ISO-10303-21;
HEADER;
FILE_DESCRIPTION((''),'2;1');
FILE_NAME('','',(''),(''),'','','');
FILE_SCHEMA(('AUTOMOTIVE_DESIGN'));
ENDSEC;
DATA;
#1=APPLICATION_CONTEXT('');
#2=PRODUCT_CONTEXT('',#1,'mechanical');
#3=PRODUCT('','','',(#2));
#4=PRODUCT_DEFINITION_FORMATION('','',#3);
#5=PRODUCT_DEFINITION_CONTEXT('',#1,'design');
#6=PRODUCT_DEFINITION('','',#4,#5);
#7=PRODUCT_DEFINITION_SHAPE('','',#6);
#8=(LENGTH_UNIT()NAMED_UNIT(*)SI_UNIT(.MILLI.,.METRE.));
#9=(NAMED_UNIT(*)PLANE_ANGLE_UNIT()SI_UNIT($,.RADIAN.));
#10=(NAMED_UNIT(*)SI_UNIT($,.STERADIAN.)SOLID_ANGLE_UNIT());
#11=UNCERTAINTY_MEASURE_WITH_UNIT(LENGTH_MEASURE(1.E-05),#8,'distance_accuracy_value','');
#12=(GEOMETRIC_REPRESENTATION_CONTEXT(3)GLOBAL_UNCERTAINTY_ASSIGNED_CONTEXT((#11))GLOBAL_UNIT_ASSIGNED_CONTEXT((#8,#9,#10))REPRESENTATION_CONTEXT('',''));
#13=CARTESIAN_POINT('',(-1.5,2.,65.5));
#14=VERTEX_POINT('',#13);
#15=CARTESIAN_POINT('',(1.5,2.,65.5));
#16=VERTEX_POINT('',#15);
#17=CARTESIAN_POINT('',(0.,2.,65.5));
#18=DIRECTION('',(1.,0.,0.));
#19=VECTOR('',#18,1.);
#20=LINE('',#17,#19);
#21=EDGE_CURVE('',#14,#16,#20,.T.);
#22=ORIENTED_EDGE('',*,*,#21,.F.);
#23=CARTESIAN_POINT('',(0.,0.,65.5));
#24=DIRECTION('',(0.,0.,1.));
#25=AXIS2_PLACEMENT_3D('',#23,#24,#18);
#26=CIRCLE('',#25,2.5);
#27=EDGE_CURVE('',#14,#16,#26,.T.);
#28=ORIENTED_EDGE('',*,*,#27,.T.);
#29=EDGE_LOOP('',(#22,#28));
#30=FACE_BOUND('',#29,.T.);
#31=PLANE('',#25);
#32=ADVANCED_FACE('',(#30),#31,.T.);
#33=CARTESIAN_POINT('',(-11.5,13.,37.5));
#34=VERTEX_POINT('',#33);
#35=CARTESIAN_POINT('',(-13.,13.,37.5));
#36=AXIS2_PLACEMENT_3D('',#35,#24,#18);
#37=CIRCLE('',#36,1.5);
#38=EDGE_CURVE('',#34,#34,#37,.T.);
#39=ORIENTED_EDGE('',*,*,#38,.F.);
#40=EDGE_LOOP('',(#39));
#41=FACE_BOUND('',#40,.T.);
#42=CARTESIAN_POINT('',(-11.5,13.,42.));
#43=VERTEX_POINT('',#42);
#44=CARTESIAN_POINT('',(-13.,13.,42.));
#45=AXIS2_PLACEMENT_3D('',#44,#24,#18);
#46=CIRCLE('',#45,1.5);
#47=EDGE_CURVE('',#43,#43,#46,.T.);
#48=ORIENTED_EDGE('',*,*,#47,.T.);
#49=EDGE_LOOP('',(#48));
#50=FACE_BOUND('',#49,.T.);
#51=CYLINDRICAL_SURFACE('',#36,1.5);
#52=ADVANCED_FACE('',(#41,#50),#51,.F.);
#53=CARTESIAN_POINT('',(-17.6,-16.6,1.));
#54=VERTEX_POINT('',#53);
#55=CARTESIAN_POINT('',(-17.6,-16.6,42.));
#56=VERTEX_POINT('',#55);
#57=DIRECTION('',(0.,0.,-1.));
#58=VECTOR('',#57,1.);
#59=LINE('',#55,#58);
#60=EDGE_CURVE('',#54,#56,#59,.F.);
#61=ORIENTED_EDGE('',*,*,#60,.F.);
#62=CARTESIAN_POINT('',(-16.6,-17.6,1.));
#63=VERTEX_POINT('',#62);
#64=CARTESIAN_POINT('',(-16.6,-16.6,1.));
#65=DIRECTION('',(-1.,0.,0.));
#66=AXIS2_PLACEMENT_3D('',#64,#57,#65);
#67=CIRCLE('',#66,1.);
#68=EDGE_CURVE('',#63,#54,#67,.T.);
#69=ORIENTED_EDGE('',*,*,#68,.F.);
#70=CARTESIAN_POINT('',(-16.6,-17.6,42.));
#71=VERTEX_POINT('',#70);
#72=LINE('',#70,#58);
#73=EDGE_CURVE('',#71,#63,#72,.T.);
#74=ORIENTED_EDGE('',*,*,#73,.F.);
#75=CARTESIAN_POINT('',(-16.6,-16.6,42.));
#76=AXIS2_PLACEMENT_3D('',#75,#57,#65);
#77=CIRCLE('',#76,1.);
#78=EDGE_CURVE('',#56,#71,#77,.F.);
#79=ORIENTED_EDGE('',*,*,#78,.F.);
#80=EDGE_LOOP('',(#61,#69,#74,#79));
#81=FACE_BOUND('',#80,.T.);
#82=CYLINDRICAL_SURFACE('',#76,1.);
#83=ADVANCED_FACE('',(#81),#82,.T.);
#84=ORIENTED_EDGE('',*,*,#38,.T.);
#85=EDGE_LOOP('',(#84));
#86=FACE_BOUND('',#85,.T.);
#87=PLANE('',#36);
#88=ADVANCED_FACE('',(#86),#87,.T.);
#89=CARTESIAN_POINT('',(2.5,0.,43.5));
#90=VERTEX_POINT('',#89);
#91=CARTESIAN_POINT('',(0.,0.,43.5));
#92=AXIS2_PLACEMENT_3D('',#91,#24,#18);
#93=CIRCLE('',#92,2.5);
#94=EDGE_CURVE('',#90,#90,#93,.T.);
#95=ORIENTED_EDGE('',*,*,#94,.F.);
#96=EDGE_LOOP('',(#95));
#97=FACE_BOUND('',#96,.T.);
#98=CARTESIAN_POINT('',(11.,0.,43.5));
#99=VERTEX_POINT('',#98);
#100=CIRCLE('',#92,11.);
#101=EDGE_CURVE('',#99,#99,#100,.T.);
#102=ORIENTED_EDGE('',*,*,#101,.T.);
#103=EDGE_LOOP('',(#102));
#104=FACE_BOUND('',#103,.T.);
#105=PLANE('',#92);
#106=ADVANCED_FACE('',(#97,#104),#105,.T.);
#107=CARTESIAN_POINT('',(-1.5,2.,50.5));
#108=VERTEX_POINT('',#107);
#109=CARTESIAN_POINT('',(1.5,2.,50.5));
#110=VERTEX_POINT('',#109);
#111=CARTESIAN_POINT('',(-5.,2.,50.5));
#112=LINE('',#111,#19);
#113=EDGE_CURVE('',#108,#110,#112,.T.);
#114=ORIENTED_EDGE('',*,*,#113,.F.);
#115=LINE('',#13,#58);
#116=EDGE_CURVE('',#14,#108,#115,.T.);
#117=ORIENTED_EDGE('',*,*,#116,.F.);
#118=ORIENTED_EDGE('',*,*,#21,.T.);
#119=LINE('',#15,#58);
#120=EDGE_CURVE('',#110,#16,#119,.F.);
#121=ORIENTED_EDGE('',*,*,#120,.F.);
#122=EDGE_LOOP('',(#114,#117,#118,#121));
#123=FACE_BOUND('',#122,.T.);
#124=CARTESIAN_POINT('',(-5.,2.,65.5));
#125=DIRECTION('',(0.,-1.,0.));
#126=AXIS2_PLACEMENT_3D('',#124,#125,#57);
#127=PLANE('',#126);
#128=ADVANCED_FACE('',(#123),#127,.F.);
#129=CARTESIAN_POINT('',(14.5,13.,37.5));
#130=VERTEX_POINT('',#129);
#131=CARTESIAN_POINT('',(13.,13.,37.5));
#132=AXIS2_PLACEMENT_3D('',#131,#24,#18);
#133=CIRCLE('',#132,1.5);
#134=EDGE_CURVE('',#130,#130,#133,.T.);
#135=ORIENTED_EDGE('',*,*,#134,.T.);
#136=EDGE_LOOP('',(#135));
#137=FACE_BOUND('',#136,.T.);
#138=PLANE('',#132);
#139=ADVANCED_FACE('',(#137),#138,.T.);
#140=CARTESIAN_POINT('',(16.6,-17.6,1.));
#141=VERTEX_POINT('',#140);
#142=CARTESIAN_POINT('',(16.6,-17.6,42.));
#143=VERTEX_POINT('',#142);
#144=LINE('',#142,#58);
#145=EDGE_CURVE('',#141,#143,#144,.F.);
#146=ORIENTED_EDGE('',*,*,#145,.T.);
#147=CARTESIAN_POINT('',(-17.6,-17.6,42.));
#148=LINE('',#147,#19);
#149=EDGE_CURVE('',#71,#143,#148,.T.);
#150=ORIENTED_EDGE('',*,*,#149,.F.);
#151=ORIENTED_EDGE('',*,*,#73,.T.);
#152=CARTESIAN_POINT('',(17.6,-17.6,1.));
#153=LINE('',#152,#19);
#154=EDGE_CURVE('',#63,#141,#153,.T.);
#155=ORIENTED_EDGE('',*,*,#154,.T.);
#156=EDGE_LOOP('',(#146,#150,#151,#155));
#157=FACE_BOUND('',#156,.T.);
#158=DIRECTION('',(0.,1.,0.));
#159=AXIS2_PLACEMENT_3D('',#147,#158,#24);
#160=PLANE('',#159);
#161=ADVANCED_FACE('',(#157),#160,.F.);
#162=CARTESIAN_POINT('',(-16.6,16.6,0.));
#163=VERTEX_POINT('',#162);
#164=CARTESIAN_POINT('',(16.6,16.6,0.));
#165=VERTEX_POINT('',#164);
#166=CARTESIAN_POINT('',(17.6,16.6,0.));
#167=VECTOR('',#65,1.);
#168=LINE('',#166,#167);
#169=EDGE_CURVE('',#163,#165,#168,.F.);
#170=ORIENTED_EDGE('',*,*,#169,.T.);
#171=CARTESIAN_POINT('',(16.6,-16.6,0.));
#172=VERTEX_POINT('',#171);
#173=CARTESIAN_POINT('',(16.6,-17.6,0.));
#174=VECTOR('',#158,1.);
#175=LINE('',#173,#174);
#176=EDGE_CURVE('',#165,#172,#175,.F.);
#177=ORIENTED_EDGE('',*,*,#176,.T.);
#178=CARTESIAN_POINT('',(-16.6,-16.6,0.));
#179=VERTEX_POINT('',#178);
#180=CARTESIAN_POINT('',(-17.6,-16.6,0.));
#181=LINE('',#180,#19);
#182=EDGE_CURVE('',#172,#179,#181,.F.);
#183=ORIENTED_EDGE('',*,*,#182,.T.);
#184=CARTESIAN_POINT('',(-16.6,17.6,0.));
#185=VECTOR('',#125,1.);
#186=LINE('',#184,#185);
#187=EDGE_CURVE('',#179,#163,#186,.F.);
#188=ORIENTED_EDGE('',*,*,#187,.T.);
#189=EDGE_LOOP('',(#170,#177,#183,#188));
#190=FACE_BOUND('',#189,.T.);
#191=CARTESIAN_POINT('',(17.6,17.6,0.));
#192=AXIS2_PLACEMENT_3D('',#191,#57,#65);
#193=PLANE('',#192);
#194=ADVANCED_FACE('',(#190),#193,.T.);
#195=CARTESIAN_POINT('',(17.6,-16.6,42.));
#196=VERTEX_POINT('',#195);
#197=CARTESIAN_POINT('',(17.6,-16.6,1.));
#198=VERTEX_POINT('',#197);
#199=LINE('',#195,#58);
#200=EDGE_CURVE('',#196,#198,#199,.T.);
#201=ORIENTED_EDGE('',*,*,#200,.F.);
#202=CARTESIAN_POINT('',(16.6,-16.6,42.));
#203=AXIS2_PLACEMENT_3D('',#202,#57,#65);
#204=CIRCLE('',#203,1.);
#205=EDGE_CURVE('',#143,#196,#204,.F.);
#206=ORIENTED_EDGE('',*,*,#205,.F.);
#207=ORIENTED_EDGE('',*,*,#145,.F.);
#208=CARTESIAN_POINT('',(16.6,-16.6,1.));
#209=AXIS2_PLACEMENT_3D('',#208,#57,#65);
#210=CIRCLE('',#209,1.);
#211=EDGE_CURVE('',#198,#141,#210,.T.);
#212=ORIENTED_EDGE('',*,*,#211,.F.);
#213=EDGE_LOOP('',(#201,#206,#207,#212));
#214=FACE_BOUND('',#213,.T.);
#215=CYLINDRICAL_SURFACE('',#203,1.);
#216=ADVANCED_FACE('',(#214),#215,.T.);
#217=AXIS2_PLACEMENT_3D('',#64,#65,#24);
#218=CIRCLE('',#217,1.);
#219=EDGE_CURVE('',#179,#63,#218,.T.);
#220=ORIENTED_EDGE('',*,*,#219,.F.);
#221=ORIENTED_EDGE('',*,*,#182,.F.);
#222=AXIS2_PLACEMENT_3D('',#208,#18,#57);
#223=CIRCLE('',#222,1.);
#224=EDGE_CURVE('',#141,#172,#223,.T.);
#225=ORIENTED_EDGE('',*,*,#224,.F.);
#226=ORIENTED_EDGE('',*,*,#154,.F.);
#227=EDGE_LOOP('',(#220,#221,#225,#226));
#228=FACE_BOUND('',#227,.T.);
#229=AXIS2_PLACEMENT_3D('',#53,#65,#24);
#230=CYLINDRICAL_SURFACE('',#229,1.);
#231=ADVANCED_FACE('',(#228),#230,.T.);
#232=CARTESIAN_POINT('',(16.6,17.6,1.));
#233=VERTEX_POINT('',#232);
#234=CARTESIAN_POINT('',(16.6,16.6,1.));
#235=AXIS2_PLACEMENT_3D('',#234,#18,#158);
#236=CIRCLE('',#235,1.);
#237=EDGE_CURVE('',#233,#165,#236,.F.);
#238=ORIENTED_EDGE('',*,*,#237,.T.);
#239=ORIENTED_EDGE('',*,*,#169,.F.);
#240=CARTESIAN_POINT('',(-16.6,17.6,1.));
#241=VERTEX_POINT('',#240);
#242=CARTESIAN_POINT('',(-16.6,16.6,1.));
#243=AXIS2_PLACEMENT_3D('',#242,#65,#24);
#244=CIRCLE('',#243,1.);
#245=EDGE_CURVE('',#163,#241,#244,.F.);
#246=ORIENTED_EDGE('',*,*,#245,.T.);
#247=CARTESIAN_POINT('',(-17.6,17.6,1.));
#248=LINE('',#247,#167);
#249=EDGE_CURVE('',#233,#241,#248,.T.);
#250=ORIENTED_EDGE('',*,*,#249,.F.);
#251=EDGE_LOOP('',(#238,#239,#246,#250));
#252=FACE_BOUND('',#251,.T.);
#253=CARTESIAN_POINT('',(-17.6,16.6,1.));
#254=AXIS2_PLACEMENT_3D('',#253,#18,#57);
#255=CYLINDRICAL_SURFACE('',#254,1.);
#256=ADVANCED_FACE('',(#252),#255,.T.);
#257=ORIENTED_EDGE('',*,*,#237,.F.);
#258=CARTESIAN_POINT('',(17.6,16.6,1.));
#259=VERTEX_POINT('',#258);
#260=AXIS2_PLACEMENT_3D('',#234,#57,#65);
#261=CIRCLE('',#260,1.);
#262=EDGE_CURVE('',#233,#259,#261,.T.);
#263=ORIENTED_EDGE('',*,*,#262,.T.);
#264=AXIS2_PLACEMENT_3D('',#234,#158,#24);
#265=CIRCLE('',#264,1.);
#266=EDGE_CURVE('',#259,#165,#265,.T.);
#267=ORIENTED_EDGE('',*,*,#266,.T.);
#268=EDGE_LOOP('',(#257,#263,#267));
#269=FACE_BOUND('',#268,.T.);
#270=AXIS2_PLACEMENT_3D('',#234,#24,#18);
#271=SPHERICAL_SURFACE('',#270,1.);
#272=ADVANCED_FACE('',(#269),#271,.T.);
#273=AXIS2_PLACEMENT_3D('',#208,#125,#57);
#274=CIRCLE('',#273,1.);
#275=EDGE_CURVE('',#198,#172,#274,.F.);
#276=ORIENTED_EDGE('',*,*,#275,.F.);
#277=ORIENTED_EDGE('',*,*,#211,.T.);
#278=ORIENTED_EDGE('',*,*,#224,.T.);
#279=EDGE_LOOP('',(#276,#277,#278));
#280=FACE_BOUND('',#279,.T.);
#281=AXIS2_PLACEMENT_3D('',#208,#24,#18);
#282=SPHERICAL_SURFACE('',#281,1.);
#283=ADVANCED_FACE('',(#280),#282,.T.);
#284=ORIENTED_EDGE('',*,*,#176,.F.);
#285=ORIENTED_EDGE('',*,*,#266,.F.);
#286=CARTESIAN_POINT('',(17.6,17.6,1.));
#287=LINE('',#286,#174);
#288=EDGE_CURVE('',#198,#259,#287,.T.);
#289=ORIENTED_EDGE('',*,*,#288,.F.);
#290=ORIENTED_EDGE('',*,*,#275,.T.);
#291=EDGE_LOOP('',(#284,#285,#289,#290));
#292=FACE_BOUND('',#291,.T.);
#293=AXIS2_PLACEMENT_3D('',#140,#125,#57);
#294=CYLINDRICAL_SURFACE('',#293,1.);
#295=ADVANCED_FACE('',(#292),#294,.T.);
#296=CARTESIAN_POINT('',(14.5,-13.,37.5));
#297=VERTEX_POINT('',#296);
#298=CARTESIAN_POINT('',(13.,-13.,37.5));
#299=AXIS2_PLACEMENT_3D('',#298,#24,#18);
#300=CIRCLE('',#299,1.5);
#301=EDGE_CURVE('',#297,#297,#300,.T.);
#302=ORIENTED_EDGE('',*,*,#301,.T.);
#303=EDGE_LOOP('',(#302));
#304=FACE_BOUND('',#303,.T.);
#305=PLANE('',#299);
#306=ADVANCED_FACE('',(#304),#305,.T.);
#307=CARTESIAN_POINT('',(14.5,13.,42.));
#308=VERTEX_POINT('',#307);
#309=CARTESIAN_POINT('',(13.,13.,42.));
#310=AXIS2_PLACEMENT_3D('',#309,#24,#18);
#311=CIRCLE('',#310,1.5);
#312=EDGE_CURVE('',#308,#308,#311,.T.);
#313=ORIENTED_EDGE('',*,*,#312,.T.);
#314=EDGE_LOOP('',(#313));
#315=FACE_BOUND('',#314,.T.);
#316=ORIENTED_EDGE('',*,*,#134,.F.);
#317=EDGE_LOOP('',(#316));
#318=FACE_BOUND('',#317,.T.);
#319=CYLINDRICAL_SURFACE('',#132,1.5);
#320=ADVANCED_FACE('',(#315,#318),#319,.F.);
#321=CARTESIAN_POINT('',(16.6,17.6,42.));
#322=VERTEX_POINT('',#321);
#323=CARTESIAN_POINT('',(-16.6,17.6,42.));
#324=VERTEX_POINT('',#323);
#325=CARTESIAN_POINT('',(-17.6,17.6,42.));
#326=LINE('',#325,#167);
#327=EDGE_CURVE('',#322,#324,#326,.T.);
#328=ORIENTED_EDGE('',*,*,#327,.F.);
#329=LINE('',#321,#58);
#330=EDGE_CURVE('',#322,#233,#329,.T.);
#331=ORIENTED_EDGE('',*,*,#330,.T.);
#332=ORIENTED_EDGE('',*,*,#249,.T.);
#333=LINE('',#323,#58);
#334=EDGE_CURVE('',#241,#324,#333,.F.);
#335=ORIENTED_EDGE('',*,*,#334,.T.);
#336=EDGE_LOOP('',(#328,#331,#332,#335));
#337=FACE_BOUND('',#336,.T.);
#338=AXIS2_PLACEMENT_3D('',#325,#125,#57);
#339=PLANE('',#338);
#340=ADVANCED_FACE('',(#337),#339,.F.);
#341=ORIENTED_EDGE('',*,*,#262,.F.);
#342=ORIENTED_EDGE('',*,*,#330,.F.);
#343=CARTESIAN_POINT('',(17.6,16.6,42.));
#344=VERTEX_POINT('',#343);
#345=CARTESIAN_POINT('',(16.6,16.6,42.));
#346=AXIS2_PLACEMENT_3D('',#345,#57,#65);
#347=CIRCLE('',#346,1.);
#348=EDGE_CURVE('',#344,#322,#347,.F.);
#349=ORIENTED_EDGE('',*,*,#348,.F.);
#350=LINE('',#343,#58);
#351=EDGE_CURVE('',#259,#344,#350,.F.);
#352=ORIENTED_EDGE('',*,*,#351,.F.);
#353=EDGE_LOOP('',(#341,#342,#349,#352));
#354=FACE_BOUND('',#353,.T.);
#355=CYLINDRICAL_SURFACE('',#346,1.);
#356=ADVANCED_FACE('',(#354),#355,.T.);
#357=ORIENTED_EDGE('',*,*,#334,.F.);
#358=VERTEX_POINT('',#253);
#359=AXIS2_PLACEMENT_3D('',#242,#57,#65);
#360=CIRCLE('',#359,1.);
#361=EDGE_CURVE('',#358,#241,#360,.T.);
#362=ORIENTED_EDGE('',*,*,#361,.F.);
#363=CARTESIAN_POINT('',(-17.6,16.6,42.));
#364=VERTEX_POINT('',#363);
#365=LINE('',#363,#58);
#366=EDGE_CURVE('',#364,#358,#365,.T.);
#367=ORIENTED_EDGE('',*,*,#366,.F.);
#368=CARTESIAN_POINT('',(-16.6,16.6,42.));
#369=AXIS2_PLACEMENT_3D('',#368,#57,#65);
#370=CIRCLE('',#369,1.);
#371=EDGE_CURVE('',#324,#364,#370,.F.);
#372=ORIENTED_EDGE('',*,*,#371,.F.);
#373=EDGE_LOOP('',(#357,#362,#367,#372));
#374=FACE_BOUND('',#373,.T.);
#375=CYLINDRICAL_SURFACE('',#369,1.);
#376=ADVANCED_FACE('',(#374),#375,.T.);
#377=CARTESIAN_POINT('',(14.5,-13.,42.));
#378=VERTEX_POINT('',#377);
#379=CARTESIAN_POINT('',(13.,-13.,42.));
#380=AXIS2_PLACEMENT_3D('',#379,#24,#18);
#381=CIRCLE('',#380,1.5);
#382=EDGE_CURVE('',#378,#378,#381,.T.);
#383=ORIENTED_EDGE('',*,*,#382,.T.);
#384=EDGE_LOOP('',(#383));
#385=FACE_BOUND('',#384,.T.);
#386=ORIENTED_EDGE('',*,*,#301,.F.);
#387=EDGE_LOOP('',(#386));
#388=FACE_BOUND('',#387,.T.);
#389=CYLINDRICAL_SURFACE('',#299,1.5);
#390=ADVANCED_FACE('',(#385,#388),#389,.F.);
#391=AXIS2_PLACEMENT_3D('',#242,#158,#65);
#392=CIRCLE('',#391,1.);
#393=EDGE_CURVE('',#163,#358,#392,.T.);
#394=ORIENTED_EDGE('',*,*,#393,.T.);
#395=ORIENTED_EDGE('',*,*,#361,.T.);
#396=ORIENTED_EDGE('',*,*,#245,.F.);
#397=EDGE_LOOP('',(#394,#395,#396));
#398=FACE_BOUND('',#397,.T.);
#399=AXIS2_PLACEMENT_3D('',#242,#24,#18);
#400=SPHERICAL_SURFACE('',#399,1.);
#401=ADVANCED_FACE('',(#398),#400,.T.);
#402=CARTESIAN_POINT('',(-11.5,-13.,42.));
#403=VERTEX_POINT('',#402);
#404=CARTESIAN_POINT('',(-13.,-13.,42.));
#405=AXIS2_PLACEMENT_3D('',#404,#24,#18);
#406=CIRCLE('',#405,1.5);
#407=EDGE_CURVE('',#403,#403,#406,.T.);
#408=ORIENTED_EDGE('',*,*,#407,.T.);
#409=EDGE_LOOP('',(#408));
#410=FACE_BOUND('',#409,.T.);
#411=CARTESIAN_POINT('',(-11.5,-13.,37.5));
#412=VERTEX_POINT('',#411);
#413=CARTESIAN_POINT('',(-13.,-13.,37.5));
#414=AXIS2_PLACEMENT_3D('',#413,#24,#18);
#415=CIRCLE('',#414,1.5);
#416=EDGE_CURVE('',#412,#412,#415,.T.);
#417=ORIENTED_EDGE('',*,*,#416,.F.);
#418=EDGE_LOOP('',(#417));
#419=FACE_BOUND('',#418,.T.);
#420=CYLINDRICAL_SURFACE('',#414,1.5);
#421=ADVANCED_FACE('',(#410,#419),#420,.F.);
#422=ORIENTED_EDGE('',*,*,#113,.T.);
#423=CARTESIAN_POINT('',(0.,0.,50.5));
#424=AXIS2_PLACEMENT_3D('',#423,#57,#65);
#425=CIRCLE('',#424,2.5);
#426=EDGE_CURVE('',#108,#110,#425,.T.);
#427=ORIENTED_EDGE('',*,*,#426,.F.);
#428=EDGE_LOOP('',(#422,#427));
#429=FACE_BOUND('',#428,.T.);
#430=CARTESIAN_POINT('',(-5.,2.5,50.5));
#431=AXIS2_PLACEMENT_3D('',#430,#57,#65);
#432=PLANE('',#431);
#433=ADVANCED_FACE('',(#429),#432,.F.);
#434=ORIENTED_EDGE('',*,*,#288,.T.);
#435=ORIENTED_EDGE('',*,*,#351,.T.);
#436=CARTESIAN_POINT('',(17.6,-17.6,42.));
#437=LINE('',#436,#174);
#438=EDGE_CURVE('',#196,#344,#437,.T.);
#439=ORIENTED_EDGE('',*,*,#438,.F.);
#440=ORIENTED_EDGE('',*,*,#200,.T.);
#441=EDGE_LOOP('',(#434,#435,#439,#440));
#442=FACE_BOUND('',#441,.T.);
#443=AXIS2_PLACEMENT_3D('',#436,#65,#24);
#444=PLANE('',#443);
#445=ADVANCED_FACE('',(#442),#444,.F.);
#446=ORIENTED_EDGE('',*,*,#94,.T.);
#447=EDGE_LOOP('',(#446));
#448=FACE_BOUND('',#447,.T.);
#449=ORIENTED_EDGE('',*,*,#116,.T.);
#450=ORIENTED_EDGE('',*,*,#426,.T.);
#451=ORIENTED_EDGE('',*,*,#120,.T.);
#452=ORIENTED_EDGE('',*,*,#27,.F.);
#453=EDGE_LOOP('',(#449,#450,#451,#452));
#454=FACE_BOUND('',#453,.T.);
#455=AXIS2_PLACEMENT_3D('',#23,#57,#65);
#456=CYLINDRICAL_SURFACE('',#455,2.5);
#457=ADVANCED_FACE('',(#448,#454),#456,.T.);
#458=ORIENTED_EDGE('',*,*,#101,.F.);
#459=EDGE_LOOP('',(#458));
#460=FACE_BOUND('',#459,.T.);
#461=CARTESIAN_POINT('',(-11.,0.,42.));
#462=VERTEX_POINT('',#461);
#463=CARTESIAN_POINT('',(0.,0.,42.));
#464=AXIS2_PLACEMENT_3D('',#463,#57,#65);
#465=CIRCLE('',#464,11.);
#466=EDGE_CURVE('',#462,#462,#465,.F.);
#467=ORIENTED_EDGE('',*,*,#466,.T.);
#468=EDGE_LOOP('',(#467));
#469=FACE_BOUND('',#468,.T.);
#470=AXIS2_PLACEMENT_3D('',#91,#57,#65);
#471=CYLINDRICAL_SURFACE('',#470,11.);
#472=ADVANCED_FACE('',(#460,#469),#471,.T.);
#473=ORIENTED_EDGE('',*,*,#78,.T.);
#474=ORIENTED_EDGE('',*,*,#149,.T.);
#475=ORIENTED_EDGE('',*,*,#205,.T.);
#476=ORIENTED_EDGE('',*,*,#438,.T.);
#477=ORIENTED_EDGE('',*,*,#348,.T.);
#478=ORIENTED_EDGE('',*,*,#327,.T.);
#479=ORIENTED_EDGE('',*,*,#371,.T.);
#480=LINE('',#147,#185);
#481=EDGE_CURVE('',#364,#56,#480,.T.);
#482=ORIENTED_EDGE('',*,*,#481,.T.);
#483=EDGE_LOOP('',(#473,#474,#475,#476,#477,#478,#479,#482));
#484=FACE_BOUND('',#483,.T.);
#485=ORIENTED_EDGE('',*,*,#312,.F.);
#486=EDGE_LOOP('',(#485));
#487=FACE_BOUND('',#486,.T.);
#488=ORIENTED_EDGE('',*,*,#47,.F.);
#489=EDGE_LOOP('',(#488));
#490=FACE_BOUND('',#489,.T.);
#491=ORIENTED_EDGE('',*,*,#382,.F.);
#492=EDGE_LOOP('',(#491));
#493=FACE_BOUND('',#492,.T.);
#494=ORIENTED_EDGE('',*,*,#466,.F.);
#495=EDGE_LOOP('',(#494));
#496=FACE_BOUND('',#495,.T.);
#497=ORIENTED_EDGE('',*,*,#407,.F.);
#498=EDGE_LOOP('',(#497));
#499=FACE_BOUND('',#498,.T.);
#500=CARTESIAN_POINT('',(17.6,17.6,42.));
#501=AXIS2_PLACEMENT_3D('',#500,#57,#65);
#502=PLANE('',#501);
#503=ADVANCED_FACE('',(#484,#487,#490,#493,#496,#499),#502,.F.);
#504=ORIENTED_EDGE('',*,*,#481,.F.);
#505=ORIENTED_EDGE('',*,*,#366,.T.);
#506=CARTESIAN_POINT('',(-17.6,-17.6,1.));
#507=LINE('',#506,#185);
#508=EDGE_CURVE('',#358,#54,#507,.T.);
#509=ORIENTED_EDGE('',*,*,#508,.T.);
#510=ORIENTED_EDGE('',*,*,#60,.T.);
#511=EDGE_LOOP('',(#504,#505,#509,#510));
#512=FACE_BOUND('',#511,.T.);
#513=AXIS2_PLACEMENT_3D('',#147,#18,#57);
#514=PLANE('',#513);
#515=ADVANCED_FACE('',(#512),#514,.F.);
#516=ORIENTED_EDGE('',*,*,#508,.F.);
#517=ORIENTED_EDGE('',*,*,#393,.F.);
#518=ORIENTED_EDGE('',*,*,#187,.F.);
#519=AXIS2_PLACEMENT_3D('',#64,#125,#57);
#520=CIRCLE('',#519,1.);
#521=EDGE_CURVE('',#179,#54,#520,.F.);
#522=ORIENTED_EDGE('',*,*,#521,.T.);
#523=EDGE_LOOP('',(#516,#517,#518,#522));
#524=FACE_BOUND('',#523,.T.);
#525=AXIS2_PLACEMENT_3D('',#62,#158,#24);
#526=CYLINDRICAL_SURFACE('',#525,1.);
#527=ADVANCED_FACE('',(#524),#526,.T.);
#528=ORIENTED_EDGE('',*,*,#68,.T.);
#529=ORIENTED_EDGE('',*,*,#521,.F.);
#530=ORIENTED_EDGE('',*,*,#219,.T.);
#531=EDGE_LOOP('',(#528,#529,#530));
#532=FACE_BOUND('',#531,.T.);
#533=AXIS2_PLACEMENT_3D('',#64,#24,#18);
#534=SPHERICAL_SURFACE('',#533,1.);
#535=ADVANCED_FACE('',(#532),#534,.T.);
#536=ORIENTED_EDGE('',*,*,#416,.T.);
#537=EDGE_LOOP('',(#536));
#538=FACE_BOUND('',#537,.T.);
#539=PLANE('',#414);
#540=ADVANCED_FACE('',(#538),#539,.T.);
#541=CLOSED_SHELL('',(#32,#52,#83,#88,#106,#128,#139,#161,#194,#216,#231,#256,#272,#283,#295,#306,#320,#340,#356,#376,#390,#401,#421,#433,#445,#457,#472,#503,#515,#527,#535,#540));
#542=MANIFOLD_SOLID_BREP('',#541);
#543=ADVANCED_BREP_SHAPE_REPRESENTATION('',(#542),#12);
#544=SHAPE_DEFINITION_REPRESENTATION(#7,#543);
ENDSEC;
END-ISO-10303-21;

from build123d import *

# Parameters (mm, degrees)
SKETCH1_W           = 35.2
SKETCH1_H           = 35.2
BOSS_EXTRUDE1_DEPTH = 42
SKETCH2_R           = 11
BOSS_EXTRUDE2_DEPTH = 1.5
SKETCH3_R           = 2.5
BOSS_EXTRUDE3_DEPTH = 22
SKETCH4_W           = 15
SKETCH4_H           = 0.5
CUT_EXTRUDE1_DEPTH  = 5
SKETCH5_R           = 1.5
CUT_EXTRUDE2_DEPTH  = 4.5
FILLET1_R           = 1


with BuildPart() as part:
    # Sketch1 → Boss-Extrude1 (new body)
    with BuildSketch(Plane.XY):
        Rectangle(SKETCH1_W, SKETCH1_H)
    extrude(amount=BOSS_EXTRUDE1_DEPTH)

    # Sketch2 → Boss-Extrude2 (add)
    with BuildSketch(Plane.XY.offset(42)):
        with Locations(Location((0, 0, 0), (0, 0, 180))):
            Circle(SKETCH2_R)
    extrude(amount=BOSS_EXTRUDE2_DEPTH)

    # Sketch3 → Boss-Extrude3 (add)
    with BuildSketch(Plane.XY.offset(43.5)):
        Circle(SKETCH3_R)
    extrude(amount=BOSS_EXTRUDE3_DEPTH)

    # Sketch4 → Cut-Extrude1 (cut, symmetric)
    with BuildSketch(Plane(origin=(0, 0, 0), x_dir=(0, 0, -1), z_dir=(1, 0, 0))):
        with Locations((-58, 2.25)):
            Rectangle(SKETCH4_W, SKETCH4_H)
    extrude(amount=CUT_EXTRUDE1_DEPTH, both=True, mode=Mode.SUBTRACT)

    # Sketch5 → Cut-Extrude2 (cut)
    with BuildSketch(Plane.XY.offset(42)):
        with Locations((-13, 13)):
            Circle(SKETCH5_R)
        with Locations((13, 13)):
            Circle(SKETCH5_R)
        with Locations((13, -13)):
            Circle(SKETCH5_R)
        with Locations((-13, -13)):
            Circle(SKETCH5_R)
    extrude(amount=-CUT_EXTRUDE2_DEPTH, mode=Mode.SUBTRACT)

    # Fillet1
    fillet1_edges = [part.edges().sort_by_distance(p)[0] for p in [
        (0, -17.6, 0),
        (-17.6, 0, 0),
        (0, 17.6, 0),
        (17.6, 0, 0),
        (17.6, -17.6, 21),
        (-17.6, -17.6, 21),
        (-17.6, 17.6, 21),
        (17.6, 17.6, 21),
    ]]
    fillet(fillet1_edges, radius=FILLET1_R)


solid = part.part
